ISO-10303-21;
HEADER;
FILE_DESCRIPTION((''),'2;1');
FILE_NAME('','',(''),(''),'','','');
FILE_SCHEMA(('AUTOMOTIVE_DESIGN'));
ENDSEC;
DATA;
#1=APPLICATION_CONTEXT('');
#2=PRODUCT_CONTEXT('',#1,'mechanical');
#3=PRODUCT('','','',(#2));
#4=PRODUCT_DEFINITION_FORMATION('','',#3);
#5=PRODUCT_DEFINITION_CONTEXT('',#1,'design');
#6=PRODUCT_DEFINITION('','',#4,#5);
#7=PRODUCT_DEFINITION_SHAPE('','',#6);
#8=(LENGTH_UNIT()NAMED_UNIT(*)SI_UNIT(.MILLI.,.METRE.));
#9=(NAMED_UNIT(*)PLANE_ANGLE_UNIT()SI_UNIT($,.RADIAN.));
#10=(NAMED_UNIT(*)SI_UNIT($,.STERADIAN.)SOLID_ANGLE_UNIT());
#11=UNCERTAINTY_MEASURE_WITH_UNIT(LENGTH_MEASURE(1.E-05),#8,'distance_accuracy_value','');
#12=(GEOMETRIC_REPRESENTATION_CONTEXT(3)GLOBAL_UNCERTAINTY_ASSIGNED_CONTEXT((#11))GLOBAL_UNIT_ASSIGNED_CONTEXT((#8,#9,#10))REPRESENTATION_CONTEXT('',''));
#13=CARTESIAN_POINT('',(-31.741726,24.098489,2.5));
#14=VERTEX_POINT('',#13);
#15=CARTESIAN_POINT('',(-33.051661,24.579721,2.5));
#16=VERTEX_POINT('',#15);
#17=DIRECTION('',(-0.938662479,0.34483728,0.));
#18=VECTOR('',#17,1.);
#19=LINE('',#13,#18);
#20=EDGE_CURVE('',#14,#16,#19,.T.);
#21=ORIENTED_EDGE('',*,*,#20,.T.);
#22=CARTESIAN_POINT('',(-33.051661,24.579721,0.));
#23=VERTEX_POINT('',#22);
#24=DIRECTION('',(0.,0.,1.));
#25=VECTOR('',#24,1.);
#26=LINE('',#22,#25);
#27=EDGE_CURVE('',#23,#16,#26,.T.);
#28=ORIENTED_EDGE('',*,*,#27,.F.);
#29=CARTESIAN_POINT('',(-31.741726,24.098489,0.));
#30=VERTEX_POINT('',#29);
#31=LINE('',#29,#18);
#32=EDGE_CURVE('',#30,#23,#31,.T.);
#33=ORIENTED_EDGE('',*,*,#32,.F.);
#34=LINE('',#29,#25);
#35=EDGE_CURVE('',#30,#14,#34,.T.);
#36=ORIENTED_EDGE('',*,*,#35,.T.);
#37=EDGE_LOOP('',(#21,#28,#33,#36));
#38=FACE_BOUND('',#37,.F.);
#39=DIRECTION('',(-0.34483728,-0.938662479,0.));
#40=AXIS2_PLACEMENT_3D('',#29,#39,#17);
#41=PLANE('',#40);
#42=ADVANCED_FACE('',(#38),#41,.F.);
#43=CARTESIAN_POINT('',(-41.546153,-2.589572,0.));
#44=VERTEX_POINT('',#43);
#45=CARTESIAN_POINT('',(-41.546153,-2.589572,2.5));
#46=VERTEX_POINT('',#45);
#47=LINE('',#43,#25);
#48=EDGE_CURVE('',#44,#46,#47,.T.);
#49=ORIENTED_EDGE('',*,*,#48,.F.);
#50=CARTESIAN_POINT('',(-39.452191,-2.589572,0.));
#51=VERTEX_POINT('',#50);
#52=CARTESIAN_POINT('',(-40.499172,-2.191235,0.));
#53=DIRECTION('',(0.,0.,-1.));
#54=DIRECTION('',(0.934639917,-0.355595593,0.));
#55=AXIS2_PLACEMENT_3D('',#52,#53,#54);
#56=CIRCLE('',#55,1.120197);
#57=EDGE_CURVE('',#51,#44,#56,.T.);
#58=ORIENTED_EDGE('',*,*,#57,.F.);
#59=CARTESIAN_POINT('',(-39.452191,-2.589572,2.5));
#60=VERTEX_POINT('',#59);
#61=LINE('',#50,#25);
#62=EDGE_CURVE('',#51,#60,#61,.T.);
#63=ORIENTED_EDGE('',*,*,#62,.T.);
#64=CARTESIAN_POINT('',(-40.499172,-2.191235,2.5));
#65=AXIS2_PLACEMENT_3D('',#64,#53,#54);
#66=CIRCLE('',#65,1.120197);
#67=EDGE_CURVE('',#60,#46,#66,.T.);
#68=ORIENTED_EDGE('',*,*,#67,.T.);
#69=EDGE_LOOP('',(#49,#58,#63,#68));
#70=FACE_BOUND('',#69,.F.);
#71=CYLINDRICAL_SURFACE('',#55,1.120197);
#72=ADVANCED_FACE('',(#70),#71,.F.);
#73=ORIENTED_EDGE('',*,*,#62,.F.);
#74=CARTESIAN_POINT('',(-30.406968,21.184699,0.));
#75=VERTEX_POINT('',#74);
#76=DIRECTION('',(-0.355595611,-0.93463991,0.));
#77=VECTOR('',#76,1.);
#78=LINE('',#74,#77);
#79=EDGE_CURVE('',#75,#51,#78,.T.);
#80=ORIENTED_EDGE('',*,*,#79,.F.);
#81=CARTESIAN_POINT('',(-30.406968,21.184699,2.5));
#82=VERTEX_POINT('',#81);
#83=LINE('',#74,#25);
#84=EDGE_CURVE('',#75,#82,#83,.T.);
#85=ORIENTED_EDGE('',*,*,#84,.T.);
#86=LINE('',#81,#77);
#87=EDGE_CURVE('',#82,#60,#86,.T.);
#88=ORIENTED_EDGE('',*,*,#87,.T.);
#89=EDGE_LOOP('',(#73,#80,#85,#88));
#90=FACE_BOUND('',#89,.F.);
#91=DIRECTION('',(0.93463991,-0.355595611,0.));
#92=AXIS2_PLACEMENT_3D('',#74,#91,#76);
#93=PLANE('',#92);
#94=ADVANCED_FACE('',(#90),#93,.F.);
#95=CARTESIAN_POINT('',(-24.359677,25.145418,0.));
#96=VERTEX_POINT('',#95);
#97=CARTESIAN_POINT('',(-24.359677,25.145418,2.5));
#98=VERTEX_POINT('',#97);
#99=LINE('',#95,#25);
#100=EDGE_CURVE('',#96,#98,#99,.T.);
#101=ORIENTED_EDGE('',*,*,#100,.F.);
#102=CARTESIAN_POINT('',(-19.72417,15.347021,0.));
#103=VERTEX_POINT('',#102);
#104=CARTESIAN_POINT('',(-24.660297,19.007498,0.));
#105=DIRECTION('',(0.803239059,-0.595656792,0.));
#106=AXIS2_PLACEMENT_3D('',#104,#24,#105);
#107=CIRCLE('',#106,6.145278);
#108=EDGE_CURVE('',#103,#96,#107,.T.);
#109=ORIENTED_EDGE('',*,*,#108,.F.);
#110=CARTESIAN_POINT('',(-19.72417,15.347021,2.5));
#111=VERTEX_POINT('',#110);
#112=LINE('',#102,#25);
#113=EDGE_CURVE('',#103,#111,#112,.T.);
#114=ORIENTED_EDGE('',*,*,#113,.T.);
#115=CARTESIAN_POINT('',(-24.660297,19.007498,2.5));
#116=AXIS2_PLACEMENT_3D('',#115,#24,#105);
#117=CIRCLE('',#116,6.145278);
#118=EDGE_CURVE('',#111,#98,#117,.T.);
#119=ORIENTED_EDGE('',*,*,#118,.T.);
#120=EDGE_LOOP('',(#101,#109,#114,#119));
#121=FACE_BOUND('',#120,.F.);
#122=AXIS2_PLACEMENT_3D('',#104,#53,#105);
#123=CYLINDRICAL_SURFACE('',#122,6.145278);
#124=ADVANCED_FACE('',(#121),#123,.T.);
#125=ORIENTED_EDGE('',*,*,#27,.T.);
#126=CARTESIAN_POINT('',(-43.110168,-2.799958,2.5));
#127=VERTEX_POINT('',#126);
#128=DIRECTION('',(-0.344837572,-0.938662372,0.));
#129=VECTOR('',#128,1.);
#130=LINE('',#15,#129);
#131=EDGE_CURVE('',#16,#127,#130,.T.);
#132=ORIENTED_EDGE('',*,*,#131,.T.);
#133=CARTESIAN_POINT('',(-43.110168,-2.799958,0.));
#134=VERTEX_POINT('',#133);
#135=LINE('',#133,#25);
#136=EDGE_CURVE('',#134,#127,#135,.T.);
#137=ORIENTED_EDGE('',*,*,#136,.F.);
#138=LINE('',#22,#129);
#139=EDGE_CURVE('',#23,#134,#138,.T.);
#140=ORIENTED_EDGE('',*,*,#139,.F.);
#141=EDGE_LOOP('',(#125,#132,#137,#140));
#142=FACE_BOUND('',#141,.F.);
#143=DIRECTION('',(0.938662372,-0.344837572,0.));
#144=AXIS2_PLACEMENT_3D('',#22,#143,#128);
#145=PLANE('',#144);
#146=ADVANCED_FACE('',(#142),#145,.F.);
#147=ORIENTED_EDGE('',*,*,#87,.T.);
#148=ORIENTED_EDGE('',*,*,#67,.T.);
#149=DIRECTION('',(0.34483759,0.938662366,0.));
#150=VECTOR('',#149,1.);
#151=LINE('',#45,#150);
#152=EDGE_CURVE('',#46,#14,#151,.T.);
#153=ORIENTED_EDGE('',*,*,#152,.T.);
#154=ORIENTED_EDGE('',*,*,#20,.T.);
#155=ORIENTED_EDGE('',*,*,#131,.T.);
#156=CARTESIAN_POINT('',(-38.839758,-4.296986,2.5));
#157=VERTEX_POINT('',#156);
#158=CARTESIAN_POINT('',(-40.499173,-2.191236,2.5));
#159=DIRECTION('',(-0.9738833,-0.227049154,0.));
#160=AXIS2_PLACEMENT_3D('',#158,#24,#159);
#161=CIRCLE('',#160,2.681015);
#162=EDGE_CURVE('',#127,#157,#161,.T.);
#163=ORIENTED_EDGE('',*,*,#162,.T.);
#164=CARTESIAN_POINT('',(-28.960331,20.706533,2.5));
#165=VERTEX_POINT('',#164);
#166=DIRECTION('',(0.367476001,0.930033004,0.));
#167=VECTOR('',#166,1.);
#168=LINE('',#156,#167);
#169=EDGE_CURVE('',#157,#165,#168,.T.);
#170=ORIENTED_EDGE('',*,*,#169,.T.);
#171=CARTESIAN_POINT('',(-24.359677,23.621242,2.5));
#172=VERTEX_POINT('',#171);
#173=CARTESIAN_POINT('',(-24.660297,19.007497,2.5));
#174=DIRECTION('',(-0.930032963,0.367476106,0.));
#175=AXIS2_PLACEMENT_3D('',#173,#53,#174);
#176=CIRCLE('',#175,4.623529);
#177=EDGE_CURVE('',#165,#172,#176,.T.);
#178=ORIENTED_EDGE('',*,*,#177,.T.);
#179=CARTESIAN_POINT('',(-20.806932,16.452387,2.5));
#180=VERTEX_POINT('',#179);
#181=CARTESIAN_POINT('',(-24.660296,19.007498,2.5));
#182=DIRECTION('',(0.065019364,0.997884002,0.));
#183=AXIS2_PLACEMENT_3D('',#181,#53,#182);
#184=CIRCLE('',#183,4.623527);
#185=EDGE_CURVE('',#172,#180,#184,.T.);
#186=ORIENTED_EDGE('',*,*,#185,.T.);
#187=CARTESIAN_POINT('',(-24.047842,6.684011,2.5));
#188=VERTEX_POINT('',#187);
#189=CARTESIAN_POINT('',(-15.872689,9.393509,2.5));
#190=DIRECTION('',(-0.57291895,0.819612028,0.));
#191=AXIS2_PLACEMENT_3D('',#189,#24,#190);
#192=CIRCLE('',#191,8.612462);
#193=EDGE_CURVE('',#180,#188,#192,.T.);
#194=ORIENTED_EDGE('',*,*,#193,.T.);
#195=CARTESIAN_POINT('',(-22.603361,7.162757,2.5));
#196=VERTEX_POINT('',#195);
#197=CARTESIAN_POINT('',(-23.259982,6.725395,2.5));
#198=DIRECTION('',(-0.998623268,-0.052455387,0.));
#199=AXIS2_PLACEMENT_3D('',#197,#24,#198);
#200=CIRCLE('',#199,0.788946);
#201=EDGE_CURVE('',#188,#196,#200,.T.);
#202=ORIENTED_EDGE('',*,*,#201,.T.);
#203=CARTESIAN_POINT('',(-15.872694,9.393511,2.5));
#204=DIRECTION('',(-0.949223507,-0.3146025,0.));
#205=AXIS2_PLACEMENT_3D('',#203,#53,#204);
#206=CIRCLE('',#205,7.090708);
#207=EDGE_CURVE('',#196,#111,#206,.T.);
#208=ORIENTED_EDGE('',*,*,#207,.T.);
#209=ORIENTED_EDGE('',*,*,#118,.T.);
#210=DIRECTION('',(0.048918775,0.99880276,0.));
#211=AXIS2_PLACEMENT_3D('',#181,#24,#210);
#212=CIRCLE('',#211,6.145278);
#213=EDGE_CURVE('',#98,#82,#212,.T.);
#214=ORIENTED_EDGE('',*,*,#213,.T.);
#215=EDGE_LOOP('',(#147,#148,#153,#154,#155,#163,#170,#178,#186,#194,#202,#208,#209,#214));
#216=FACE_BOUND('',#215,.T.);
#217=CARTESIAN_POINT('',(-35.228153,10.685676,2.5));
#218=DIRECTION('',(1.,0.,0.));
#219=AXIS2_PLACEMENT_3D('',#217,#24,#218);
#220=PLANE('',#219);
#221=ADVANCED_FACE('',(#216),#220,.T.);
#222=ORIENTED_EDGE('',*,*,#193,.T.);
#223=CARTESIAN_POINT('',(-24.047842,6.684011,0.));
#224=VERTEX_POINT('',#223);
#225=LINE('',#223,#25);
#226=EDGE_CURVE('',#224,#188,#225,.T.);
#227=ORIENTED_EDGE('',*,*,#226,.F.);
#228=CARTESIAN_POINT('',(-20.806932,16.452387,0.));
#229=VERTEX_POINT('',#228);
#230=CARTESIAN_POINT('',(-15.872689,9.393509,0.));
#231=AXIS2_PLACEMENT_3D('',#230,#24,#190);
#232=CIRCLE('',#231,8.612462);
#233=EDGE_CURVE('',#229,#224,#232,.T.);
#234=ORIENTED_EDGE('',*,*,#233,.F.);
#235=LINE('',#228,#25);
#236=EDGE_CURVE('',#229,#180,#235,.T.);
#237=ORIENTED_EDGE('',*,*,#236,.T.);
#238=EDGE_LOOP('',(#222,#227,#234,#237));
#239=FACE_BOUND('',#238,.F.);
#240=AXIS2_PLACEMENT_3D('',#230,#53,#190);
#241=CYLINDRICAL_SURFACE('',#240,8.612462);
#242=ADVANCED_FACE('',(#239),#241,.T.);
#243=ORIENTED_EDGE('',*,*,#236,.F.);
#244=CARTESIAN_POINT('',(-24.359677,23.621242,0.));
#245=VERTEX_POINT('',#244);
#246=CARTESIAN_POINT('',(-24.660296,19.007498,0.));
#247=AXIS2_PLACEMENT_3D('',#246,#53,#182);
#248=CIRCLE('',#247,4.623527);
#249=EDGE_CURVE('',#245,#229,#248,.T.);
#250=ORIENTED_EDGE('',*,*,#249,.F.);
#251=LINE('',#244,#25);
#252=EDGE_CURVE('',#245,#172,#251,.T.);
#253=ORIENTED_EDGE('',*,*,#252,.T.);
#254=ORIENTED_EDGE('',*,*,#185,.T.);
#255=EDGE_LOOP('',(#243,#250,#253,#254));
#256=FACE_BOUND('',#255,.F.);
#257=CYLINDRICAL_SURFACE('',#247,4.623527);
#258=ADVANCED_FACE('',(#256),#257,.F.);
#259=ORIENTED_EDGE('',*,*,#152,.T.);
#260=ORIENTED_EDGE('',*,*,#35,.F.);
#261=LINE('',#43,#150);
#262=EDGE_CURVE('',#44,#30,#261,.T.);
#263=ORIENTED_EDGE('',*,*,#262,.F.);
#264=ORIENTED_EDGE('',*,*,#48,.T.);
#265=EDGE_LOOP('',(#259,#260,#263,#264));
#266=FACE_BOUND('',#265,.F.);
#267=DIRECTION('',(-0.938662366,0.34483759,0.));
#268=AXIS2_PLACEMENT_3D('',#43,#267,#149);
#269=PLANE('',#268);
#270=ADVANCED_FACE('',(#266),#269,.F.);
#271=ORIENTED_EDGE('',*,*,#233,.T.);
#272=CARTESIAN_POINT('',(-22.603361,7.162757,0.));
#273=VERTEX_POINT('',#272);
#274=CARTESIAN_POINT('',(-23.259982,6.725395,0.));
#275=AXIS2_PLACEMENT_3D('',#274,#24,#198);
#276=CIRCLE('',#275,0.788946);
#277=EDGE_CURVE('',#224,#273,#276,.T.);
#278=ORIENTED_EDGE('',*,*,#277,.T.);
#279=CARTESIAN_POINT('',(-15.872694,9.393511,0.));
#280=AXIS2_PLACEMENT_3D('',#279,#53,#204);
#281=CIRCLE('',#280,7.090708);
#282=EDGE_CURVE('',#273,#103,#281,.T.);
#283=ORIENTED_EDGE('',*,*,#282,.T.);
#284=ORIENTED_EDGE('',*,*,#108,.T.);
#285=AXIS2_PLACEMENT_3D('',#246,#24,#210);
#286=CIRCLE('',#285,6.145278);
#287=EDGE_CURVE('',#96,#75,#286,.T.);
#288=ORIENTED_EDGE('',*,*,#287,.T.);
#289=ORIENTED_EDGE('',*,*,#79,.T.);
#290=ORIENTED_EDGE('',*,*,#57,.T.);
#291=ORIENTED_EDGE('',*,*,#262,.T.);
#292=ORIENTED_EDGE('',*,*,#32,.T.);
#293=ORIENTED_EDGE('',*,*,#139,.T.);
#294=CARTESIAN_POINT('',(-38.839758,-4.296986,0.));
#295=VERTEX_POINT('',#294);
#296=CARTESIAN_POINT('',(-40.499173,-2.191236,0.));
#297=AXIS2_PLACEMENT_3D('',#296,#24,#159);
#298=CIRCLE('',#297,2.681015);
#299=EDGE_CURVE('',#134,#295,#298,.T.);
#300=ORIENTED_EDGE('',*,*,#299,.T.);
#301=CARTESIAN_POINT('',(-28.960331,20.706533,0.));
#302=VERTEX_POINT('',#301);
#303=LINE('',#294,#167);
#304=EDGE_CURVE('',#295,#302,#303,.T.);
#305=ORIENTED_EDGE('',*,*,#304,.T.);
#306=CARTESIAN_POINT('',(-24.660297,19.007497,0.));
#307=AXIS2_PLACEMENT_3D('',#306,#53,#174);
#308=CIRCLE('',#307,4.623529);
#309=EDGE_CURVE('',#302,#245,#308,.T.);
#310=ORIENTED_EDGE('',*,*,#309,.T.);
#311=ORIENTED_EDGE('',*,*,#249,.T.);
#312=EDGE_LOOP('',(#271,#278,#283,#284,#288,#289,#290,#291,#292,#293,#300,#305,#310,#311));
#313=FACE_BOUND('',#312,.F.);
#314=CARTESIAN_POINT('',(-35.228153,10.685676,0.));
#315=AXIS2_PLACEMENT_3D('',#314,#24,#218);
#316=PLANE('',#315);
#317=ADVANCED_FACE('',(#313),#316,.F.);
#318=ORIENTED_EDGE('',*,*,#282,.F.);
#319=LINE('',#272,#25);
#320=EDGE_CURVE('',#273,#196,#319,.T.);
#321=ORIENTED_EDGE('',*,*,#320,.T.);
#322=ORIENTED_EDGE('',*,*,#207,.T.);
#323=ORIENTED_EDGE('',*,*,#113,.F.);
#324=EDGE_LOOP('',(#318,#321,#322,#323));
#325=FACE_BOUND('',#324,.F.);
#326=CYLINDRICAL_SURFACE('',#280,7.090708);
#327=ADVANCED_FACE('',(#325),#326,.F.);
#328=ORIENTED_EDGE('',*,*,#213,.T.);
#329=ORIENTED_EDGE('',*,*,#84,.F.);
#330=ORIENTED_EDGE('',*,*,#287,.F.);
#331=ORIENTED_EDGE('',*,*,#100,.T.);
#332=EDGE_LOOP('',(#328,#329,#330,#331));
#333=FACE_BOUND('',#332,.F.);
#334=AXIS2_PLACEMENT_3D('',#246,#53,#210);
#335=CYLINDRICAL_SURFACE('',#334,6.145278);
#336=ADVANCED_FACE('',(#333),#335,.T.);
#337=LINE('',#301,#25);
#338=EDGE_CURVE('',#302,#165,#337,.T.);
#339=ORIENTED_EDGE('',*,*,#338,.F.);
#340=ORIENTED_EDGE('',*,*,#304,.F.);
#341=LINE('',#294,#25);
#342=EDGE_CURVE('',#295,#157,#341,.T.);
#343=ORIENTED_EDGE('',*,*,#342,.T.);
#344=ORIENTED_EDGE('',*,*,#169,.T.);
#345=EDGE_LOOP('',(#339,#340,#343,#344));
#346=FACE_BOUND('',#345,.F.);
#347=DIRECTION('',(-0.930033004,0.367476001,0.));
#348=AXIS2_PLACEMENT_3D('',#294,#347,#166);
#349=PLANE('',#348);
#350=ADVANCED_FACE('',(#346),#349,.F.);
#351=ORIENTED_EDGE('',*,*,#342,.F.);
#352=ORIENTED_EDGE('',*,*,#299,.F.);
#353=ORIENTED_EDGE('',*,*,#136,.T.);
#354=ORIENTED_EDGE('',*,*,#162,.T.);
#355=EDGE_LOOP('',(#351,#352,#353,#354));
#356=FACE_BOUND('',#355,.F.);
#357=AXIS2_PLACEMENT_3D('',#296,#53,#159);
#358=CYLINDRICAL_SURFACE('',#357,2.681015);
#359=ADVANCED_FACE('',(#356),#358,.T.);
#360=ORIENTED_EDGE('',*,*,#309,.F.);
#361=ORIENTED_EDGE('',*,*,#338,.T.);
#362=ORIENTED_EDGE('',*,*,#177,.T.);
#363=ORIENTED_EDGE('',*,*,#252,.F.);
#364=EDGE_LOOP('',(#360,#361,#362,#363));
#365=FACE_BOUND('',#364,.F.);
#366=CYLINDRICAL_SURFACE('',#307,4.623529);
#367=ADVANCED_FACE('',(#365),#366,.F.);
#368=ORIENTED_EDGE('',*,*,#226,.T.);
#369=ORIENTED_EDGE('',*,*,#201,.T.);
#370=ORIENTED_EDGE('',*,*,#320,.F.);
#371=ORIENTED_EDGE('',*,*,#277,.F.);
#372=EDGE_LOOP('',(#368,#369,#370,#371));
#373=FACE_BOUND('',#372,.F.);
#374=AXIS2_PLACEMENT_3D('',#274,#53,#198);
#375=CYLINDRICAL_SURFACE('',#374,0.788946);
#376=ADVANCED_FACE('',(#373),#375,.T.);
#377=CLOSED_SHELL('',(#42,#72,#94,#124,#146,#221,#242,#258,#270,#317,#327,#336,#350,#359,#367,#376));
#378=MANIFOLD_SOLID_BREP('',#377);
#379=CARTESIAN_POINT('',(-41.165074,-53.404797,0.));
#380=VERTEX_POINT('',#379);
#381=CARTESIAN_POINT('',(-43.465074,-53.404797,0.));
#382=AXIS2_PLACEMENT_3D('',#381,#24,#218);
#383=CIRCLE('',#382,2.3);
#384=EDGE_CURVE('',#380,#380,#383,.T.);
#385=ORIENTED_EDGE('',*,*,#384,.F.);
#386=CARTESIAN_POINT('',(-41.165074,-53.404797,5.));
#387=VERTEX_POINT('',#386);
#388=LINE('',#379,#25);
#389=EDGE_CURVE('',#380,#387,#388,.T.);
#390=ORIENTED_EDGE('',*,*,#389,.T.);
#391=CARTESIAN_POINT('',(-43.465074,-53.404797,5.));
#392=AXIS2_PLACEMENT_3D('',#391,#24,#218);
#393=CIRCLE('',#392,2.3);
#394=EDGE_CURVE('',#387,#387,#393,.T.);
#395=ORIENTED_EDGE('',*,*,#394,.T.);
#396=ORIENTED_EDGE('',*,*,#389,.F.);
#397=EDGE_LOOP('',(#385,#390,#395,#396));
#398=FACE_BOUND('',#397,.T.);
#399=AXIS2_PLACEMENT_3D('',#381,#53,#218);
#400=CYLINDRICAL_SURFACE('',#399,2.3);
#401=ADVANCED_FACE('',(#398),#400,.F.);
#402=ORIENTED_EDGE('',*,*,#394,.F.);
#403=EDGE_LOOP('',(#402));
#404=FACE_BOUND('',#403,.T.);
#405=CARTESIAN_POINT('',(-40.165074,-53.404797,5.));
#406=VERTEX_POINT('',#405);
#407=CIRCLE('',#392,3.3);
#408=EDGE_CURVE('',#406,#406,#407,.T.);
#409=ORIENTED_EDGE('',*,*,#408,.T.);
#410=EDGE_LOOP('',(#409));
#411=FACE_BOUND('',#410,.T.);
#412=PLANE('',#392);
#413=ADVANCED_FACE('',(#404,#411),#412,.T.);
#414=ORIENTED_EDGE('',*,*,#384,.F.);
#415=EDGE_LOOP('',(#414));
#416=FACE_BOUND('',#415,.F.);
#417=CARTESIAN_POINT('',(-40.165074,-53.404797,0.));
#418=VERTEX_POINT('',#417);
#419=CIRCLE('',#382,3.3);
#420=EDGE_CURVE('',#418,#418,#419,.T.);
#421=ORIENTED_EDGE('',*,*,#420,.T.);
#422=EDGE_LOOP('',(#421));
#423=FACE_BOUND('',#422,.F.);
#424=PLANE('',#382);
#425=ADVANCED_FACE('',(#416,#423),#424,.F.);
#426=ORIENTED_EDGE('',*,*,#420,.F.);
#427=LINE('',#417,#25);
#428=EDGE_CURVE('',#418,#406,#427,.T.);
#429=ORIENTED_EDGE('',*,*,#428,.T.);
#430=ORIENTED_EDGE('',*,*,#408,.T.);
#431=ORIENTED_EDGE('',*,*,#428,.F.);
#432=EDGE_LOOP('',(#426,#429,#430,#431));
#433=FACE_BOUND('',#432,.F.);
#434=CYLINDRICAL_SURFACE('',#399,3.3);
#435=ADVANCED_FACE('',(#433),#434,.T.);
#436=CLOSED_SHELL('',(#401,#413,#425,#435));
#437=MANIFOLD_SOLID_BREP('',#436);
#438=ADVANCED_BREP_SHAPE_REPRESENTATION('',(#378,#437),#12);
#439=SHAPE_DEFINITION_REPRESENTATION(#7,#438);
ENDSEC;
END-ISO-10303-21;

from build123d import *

# Parameters (mm, degrees)
F1_DEPTH = 2.5
F2_R     = 3.3
F2_R_2   = 2.3
F3_DEPTH = 5


with BuildPart() as f1:
    # F0 (on Top) → F1 (new body)
    with BuildSketch(Plane.XY):
        with BuildLine():
            Line((-30.406968, 21.184699), (-39.452191, -2.589572))
            ThreePointArc((-39.452191, -2.589572), (-40.499172, -3.311432), (-41.546153, -2.589572))
            Line((-41.546153, -2.589572), (-31.741726, 24.098489))
            Line((-31.741726, 24.098489), (-33.051661, 24.579721))
            Line((-33.051661, 24.579721), (-43.110168, -2.799958))
            ThreePointArc((-43.110168, -2.799958), (-41.386106, -4.721293), (-38.839758, -4.296986))
            Line((-38.839758, -4.296986), (-28.960331, 20.706533))
            ThreePointArc((-28.960331, 20.706533), (-27.134708, 22.913173), (-24.359677, 23.621242))
            Line((-24.359677, 23.621242), (-24.359677, 25.145418))
            ThreePointArc((-24.359677, 25.145418), (-28.027297, 24.14829), (-30.406968, 21.184699))
        make_face()
        with BuildLine():
            ThreePointArc((-19.72417, 15.347021), (-19.105297, 21.635503), (-24.359677, 25.145418))
            Line((-24.359677, 25.145418), (-24.359677, 23.621242))
            ThreePointArc((-24.359677, 23.621242), (-20.51759, 21.060543), (-20.806932, 16.452387))
            ThreePointArc((-20.806932, 16.452387), (-24.047, 12.105547), (-24.047842, 6.684011))
            ThreePointArc((-24.047842, 6.684011), (-23.011778, 5.976509), (-22.603361, 7.162757))
            ThreePointArc((-22.603361, 7.162757), (-22.561564, 11.746629), (-19.72417, 15.347021))
        make_face()
    extrude(amount=F1_DEPTH)


with BuildPart() as f3:
    # F2 (on Top) → F3 (new body)
    with BuildSketch(Plane.XY):
        with Locations((-43.465074, -53.404797)):
            Circle(F2_R)
        with Locations((-43.465074, -53.404797)):
            Circle(F2_R_2, mode=Mode.SUBTRACT)
    extrude(amount=F3_DEPTH)


solid = Compound([f1.part, f3.part])
